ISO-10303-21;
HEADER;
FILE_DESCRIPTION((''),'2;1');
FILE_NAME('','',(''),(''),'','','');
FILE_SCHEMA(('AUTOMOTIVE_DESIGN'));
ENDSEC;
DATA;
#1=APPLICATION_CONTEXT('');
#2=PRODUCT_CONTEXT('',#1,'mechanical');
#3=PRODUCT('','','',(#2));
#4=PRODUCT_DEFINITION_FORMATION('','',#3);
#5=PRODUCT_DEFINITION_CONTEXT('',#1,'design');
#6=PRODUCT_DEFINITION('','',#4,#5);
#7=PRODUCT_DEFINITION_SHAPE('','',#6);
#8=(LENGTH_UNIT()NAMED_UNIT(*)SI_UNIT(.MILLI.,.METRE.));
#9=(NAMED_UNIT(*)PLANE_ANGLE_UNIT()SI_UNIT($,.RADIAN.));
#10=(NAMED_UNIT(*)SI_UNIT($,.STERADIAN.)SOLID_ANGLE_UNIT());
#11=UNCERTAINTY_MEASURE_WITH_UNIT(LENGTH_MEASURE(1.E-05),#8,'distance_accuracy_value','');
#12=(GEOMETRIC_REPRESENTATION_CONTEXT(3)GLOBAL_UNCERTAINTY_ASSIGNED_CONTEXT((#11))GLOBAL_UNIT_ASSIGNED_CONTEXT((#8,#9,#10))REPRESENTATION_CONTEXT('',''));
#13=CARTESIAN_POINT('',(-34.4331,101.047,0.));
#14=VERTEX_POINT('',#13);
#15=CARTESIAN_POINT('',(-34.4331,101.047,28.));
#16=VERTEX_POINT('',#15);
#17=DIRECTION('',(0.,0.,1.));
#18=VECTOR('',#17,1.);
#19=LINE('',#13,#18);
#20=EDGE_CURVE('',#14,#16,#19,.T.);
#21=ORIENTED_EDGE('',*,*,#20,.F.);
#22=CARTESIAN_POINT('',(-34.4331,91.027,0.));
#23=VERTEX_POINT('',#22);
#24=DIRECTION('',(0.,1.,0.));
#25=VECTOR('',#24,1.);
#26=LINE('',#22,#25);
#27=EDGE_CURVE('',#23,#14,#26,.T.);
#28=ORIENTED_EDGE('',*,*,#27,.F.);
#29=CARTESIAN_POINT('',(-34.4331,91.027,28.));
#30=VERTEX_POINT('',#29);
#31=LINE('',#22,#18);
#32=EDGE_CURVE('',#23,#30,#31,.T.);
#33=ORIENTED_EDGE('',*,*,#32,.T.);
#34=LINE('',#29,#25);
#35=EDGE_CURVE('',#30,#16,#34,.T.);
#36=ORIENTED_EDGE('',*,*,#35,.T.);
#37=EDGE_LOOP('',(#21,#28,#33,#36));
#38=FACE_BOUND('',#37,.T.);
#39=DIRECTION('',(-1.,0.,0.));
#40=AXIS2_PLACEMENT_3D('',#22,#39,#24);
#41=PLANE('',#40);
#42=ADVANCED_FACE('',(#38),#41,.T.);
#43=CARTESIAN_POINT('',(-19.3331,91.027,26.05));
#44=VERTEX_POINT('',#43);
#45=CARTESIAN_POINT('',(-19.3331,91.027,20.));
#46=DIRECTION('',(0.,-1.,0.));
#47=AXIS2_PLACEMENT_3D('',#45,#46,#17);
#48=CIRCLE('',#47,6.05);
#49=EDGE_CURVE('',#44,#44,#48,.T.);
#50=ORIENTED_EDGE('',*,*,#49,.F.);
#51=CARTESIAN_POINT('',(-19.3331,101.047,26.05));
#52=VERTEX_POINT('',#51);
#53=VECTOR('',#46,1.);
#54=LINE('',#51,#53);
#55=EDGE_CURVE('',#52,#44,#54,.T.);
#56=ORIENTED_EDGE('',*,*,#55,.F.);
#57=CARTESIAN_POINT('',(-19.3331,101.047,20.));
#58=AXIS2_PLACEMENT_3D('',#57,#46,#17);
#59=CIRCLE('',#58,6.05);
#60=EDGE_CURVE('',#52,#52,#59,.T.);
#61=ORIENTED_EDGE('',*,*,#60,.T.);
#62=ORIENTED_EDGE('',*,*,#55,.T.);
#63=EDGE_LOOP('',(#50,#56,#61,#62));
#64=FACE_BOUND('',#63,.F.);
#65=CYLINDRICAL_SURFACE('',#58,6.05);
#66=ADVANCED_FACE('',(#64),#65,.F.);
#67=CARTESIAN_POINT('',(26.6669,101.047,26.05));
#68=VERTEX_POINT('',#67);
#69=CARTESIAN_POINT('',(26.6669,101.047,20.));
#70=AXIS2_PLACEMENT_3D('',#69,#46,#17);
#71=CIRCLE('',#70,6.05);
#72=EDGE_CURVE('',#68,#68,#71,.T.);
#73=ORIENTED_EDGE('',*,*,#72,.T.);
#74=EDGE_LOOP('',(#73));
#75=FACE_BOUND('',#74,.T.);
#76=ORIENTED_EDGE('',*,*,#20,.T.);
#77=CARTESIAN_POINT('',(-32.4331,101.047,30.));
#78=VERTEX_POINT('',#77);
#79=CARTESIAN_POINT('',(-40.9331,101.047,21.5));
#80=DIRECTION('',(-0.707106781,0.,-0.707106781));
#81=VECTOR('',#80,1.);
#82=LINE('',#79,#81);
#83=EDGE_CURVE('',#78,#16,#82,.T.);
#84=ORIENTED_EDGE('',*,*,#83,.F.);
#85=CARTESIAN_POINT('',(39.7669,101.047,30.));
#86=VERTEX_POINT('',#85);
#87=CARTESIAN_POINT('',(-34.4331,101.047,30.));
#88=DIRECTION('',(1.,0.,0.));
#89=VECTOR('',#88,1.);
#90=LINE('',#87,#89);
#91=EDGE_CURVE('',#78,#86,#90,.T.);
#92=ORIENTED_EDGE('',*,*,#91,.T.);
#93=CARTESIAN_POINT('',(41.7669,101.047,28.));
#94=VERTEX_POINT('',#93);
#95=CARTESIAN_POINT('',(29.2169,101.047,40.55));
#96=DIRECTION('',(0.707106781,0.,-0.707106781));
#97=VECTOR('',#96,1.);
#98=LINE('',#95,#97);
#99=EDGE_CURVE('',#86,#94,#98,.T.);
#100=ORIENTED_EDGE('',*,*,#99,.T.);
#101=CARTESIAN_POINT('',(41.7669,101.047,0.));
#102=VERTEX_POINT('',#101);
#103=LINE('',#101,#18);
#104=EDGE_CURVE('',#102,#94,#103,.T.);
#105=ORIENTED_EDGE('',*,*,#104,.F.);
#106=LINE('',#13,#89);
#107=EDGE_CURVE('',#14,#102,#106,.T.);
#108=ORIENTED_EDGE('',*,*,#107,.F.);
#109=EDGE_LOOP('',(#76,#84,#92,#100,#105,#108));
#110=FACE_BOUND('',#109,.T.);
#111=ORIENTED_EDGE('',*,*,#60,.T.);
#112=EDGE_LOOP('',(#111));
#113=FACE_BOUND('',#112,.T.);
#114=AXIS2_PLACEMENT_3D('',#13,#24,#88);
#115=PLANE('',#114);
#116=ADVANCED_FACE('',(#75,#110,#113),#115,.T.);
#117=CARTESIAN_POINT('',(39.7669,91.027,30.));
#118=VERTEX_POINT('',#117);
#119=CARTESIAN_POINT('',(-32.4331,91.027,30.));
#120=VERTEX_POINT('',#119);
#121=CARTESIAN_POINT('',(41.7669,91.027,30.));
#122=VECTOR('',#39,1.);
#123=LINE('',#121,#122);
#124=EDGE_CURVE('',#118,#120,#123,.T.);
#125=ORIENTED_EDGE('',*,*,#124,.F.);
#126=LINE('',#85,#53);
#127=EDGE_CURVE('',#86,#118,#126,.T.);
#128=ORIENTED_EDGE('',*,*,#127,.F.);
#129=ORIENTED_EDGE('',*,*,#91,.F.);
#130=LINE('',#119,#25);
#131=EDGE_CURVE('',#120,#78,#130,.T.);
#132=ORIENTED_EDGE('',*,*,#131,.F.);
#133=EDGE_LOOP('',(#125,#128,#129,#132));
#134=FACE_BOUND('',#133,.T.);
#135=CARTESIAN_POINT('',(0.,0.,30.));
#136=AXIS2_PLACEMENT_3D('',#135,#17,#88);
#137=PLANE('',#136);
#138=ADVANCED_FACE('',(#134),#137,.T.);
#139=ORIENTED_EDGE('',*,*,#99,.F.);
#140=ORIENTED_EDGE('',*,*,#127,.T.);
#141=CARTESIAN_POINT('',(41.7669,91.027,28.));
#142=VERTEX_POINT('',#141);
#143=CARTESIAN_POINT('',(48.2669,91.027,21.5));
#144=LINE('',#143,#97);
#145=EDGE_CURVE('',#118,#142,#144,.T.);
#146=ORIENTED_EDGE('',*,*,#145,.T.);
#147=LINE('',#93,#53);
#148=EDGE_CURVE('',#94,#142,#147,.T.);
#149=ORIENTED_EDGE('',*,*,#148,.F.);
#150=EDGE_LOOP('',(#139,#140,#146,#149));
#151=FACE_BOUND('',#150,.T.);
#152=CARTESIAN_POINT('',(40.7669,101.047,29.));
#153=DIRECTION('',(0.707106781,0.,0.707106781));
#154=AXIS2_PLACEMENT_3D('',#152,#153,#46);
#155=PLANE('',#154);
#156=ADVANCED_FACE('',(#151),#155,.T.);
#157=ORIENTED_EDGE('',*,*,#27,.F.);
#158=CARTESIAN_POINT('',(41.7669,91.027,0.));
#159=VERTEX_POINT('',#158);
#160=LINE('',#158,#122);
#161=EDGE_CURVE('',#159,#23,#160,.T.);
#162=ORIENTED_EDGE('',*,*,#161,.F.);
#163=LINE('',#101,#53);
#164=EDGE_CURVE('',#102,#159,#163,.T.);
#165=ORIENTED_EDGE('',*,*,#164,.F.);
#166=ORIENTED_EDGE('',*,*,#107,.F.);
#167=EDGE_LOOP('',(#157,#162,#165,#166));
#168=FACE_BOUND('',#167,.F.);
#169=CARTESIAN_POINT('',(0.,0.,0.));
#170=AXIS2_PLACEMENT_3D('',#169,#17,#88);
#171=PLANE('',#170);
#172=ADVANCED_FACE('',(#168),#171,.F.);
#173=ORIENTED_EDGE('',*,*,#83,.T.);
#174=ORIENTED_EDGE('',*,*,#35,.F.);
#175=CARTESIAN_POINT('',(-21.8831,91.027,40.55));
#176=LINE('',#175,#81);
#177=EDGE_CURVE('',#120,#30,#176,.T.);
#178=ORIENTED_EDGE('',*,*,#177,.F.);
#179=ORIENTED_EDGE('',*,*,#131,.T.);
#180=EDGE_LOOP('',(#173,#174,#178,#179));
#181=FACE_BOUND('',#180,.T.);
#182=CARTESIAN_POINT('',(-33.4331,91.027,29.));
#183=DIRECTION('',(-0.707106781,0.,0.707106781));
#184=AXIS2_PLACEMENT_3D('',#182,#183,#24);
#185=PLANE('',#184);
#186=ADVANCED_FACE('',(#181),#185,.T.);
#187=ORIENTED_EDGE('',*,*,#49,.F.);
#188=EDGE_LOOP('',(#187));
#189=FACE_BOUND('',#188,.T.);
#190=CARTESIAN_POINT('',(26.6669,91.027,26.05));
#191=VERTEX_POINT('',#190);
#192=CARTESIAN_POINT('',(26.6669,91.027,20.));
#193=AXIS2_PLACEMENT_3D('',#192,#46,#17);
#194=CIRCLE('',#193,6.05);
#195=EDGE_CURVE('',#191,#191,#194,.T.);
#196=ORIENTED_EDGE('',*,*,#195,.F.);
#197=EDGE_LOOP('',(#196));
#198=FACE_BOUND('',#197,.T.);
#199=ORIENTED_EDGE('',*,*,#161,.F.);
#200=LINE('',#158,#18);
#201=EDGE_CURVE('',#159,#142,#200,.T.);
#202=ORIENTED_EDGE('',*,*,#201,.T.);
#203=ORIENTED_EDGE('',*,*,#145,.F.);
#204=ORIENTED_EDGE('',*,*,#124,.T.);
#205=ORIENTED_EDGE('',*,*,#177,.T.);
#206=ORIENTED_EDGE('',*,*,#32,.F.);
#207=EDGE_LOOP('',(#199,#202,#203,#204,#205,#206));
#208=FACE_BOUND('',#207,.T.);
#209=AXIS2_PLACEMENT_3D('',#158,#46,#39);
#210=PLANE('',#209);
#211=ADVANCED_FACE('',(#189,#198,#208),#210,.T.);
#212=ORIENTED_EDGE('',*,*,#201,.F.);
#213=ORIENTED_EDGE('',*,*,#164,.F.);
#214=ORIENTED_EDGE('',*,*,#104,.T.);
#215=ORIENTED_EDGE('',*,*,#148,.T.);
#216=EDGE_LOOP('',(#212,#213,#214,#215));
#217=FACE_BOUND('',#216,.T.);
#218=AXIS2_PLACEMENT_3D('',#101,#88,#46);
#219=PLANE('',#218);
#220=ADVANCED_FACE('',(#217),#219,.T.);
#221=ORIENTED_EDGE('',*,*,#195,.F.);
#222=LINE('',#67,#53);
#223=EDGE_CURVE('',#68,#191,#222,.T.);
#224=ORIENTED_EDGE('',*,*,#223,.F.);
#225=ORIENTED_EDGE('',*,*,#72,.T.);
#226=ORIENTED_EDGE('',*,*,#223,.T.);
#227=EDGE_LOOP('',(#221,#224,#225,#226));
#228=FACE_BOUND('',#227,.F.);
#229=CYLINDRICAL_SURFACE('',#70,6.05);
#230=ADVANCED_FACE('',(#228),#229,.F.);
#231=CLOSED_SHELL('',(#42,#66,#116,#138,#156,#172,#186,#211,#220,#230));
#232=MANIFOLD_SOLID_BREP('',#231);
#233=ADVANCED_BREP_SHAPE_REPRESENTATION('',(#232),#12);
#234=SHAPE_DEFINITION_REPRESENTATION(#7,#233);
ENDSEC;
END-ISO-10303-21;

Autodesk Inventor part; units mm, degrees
ref_plane "YZ Plane" through (0, 0, 0) normal (1, 0, 0) x (0, 1, 0)
ref_plane "XZ Plane" through (0, 0, 0) normal (0, 1, 0) x (-1, 0, 0)
ref_plane "XY Plane" through (0, 0, 0) normal (0, 0, 1) x (1, 0, 0)
sketch "Esboço1" plane through (0, 0, 0) normal (0, 0, 1) x (1, 0, 0)
  line L0 (-34.4331, 101.047) -> (41.7669, 101.047)
  line L1 (41.7669, 101.047) -> (41.7669, 91.027)
  line L2 (41.7669, 91.027) -> (-34.4331, 91.027)
  line L3 (-34.4331, 91.027) -> (-34.4331, 101.047)
  point P0 (0, 0)
  dimension "d0" = 76.2
  dimension "d1" = 10.02
extrude "Extrusão1" add sketch "Esboço1" along normal blind 30
sketch "Esboço2" plane through (-34.4331, 101.047, 0) normal (0, 1, 0) x (1, 0, 0)
  line L0 (76.2, 0) -> (76.2, -30) projected
  line L1 (76.2, -20) -> (0, -20)
  line L2 (0, 0) -> (0, -30) projected
  line L3 (0, 0) -> (76.2, 0) projected
  line L4 (38.1, -40) -> (38.1, 0)
  circle A0 centre (61.1, -20) radius 6.7139
  circle A1 centre (15.1, -20) radius 6.7459
  point P0 (34.4331, 0)
  dimension "d4" = 20
  dimension "d5" = 23
  dimension "d6" = 23
hole "Furo1" at (26.6669, 101.047, 20) at (-19.3331, 101.047, 20) direction (0, -1, 0) diameter 12.1 end through all
chamfer "Chanfro1" distance 2 angle 45 1 edges at (41.7669, 96.037, 30)
chamfer "Chanfro2" distance 2 angle 45 1 edges at (-34.4331, 96.037, 30)
equation "\"d6\" = d5"
equation "\"d12\" = 0.5 * d1"
properties part number "SuporteGuiasCabeçasAquecimentoUsinagem"
